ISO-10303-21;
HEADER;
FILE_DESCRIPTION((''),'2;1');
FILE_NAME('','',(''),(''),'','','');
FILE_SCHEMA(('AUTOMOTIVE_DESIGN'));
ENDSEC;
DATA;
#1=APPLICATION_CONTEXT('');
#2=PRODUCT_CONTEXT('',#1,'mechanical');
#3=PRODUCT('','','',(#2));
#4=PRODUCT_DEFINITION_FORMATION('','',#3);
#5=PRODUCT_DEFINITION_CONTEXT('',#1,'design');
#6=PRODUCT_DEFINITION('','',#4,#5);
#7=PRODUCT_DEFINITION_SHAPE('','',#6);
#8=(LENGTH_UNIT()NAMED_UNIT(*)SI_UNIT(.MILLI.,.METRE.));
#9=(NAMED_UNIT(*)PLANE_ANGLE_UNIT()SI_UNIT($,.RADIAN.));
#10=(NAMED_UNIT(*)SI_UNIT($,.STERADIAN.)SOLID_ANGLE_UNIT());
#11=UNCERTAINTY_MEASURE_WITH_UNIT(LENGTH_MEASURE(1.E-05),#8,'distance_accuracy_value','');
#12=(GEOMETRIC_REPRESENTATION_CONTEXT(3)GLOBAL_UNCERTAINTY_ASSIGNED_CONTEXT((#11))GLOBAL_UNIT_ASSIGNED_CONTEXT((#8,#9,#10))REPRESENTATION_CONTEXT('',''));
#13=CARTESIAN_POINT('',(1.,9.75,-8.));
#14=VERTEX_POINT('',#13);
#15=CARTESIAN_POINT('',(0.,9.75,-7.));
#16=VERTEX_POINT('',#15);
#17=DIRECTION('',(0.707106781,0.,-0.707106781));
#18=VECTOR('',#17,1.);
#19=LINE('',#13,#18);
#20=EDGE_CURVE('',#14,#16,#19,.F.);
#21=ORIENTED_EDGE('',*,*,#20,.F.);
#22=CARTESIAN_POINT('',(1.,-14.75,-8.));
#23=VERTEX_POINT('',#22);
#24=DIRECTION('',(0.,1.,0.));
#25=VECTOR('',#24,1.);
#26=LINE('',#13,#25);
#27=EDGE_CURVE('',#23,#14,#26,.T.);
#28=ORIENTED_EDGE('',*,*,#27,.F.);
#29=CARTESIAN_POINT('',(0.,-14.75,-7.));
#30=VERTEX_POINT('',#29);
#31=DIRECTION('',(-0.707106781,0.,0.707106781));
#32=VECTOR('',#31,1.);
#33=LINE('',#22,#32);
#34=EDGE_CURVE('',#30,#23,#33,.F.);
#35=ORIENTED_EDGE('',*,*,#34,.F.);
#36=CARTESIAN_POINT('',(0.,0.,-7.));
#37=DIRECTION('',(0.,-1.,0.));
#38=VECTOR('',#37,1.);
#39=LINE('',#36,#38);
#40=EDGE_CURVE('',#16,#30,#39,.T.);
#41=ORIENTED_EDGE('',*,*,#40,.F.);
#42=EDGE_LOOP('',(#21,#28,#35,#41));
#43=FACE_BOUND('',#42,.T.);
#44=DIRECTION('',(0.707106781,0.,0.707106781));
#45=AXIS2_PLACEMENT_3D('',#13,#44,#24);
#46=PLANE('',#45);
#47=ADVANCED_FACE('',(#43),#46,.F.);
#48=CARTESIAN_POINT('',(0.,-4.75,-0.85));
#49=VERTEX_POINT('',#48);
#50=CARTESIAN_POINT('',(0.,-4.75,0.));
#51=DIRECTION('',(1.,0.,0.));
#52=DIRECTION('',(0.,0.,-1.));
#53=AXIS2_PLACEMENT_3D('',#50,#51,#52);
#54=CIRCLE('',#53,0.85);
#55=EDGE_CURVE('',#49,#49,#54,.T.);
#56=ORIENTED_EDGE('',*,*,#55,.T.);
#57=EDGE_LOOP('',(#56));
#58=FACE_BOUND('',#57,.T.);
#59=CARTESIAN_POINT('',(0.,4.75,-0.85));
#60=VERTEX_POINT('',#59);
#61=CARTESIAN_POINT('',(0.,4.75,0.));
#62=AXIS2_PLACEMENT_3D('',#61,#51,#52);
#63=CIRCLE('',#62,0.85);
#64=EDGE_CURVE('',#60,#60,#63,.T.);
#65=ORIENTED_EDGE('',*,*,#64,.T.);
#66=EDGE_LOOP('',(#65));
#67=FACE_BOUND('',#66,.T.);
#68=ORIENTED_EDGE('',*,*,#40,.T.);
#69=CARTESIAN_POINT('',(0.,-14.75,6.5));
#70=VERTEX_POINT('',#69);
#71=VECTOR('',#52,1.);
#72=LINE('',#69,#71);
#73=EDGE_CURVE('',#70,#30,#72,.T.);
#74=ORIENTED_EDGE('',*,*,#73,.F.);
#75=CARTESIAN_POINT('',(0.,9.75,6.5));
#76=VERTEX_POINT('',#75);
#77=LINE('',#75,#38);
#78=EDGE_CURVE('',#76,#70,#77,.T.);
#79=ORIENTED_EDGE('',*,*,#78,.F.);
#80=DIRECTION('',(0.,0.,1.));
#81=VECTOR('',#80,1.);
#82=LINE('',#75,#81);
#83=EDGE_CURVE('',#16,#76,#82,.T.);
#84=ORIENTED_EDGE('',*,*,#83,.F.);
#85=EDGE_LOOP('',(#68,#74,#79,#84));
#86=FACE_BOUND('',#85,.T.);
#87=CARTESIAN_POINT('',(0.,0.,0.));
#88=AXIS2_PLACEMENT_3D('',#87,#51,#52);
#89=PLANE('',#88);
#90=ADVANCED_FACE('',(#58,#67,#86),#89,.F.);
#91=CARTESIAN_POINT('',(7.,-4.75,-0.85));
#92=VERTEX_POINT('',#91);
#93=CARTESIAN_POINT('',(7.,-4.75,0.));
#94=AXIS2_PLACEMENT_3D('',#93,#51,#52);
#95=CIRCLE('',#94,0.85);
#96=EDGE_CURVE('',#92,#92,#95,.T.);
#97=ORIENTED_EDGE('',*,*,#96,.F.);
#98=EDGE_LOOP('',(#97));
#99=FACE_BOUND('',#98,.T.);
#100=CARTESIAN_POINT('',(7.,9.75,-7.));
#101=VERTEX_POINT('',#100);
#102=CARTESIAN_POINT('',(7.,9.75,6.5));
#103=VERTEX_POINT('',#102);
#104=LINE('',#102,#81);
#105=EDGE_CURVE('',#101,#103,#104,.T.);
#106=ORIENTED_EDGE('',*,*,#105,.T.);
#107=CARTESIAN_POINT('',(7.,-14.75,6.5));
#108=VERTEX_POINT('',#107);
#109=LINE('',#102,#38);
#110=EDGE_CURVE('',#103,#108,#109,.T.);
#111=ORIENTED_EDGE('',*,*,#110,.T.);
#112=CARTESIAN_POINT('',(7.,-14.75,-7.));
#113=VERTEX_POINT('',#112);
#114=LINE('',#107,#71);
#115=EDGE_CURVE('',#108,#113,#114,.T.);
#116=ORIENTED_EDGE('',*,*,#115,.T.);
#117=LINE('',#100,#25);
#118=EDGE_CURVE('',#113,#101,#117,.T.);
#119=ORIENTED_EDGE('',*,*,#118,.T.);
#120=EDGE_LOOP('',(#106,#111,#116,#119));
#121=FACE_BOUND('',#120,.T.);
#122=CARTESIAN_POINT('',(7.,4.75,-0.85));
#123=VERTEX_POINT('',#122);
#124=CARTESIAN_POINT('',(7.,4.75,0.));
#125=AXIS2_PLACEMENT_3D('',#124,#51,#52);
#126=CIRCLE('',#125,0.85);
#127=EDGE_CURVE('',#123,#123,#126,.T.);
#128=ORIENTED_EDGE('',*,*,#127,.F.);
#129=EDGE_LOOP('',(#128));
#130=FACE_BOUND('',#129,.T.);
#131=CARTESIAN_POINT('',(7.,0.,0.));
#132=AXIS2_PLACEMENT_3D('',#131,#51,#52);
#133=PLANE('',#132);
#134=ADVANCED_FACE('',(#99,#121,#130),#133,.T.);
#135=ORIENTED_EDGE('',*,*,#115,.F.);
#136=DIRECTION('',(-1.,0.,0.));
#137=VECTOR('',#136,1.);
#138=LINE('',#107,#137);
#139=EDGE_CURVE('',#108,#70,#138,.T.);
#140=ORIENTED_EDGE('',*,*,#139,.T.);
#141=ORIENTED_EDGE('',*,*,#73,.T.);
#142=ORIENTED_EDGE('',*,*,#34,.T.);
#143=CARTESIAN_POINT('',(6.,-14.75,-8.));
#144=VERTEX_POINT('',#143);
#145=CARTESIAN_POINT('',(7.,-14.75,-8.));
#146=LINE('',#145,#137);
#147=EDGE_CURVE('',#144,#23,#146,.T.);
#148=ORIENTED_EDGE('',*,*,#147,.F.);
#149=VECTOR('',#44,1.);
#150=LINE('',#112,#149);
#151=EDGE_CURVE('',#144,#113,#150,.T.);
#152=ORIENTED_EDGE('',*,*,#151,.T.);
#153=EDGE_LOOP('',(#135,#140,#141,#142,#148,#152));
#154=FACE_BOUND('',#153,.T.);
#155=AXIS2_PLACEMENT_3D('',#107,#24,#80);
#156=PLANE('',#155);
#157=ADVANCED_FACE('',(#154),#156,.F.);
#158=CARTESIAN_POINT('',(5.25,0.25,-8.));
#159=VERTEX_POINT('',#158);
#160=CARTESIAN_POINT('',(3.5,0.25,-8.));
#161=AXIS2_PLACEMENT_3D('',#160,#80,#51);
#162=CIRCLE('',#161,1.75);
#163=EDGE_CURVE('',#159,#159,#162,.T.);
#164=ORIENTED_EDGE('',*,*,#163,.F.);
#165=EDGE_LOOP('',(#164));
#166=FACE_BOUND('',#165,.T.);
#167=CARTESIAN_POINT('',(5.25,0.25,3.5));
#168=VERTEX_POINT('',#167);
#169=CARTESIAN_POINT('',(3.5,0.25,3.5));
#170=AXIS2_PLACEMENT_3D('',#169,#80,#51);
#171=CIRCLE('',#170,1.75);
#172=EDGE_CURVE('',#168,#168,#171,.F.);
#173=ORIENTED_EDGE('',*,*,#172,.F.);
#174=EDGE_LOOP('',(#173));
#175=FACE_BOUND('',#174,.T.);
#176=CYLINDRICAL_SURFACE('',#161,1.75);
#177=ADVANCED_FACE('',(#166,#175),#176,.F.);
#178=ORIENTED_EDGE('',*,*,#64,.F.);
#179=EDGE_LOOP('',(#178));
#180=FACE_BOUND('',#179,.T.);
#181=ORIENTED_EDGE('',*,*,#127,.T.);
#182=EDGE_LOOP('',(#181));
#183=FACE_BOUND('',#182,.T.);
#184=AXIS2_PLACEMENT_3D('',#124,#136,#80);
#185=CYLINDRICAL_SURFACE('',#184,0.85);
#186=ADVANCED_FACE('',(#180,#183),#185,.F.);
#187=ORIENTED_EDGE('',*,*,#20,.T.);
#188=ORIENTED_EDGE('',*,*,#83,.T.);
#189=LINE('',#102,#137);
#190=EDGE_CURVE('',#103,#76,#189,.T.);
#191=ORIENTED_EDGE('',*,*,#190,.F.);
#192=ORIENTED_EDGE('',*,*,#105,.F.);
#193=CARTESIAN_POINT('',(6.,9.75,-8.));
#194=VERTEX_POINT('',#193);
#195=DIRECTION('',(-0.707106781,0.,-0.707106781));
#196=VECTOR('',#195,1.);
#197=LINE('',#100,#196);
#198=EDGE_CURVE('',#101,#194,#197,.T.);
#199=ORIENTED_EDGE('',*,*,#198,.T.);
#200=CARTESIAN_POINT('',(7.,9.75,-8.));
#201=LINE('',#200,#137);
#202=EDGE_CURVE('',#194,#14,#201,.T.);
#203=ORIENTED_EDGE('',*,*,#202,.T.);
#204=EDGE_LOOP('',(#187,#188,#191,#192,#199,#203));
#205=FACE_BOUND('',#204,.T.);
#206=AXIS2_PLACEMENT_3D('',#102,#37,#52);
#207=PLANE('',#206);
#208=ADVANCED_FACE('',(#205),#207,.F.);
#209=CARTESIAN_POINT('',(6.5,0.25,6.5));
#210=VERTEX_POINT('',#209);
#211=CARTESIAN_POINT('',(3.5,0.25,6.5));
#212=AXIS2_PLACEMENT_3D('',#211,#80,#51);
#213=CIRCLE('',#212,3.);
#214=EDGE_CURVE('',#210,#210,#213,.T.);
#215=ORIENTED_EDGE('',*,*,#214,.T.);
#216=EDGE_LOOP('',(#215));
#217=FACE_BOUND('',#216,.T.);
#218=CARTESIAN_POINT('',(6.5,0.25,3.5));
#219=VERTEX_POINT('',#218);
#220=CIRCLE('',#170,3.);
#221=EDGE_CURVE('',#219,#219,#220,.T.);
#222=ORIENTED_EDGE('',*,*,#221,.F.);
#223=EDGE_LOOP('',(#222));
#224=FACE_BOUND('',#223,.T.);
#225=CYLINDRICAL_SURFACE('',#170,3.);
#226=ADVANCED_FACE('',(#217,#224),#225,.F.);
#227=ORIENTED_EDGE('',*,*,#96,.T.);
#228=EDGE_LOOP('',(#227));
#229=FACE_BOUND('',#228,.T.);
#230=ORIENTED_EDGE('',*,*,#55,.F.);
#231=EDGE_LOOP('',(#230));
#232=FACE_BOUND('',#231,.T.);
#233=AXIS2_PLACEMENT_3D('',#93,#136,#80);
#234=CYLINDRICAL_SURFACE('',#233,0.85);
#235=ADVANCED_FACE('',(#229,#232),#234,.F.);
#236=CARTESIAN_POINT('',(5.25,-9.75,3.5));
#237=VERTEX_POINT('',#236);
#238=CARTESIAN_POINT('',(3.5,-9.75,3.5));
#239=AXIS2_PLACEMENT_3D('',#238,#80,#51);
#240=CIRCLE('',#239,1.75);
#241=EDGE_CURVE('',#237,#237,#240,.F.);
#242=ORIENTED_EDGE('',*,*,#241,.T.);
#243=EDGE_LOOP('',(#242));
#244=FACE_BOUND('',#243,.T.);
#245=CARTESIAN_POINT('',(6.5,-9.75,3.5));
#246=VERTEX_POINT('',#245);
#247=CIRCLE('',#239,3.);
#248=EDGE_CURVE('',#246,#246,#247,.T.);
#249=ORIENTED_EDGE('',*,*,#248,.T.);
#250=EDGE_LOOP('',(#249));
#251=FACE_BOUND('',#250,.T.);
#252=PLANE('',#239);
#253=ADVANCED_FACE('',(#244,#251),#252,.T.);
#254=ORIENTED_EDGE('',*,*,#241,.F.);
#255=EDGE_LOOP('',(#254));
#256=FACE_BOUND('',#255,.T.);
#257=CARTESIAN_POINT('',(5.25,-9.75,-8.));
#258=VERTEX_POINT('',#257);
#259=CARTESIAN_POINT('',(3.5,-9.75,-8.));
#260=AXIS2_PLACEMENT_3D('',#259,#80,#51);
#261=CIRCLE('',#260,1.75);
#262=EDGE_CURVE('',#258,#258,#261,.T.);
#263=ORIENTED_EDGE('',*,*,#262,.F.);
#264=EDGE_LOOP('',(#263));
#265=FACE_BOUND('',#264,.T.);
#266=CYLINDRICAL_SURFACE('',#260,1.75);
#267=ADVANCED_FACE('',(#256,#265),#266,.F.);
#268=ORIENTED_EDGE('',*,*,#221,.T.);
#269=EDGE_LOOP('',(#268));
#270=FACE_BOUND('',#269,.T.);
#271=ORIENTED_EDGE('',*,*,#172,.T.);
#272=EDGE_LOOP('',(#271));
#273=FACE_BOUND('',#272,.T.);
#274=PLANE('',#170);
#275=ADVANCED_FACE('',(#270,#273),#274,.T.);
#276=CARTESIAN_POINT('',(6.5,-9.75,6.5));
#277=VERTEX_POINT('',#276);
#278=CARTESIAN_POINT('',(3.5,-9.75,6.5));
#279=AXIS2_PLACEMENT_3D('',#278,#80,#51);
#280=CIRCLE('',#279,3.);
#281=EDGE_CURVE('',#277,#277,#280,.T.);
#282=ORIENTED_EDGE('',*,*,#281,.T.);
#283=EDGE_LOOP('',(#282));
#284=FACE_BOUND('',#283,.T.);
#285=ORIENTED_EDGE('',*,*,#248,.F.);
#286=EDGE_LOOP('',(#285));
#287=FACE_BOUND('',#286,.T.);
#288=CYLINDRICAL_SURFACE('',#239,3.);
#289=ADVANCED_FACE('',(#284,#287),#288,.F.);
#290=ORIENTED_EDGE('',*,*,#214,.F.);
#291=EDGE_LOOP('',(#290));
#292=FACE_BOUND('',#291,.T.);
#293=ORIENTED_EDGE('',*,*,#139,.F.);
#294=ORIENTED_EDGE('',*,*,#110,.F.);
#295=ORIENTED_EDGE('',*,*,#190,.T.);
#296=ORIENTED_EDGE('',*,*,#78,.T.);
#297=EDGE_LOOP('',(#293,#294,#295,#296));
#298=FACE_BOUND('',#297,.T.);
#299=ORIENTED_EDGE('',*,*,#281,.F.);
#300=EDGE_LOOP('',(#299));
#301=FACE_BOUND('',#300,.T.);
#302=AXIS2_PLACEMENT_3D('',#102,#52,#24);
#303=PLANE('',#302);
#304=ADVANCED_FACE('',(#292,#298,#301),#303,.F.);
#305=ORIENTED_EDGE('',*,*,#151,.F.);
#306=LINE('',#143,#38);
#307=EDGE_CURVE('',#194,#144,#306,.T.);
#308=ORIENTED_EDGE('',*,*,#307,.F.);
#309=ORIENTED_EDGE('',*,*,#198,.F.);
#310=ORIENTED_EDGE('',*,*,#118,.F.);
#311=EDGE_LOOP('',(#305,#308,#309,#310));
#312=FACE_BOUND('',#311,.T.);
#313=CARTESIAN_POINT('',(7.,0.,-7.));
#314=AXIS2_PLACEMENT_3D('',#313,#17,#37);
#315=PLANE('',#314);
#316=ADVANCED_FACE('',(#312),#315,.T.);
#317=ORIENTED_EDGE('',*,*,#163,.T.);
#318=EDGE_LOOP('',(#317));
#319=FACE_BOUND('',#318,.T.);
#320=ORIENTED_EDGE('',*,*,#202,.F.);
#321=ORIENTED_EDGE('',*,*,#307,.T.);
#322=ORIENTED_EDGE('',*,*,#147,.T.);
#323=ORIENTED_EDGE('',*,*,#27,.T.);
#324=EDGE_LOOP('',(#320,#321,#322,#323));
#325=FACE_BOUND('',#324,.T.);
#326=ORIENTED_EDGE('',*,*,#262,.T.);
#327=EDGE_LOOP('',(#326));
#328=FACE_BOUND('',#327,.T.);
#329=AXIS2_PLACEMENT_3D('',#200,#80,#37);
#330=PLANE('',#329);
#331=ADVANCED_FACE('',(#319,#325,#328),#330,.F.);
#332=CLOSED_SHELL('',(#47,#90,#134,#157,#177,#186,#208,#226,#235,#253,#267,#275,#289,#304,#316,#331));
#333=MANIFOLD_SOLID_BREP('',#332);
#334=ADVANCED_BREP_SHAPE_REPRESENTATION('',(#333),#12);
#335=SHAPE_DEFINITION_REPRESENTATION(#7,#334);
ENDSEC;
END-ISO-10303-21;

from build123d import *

# Parameters (mm, degrees)
SKETCH1_W           = 14.5
SKETCH1_H           = 24.5
SKETCH1_R           = 0.85
BOSS_EXTRUDE1_DEPTH = 7
CHAMFER1_SIZE       = 1
SKETCH2_R           = 1.75
CUT_EXTRUDE1_DEPTH  = 22.836036728
SKETCH3_R           = 3
CUT_EXTRUDE2_DEPTH  = 3


with BuildPart() as part:
    # Sketch1 → Boss-Extrude1 (new body)
    with BuildSketch(Plane(origin=(0, 0, 0), x_dir=(0, 0, -1), z_dir=(1, 0, 0))):
        with Locations((0.75, -2.5)):
            Rectangle(SKETCH1_W, SKETCH1_H)
        with Locations((0, 4.75)):
            Circle(SKETCH1_R, mode=Mode.SUBTRACT)
        with Locations((0, -4.75)):
            Circle(SKETCH1_R, mode=Mode.SUBTRACT)
    extrude(amount=BOSS_EXTRUDE1_DEPTH)

    # Chamfer1
    chamfer1_edges = [part.edges().sort_by_distance(p)[0] for p in [
        (7, -2.5, -8),
        (0, -2.5, -8),
    ]]
    chamfer(chamfer1_edges, length=CHAMFER1_SIZE)

    # Sketch2 → Cut-Extrude1 (cut, through all)
    with BuildSketch(Plane.XY.offset(6.5)):
        with Locations((3.5, 0.25)):
            Circle(SKETCH2_R)
        with Locations((3.5, -9.75)):
            Circle(SKETCH2_R)
    extrude(amount=-CUT_EXTRUDE1_DEPTH, mode=Mode.SUBTRACT)

    # Sketch3 → Cut-Extrude2 (cut)
    with BuildSketch(Plane.XY.offset(6.5)):
        with Locations((3.5, 0.25)):
            Circle(SKETCH3_R)
        with Locations((3.5, -9.75)):
            Circle(SKETCH3_R)
    extrude(amount=-CUT_EXTRUDE2_DEPTH, mode=Mode.SUBTRACT)


solid = part.part
